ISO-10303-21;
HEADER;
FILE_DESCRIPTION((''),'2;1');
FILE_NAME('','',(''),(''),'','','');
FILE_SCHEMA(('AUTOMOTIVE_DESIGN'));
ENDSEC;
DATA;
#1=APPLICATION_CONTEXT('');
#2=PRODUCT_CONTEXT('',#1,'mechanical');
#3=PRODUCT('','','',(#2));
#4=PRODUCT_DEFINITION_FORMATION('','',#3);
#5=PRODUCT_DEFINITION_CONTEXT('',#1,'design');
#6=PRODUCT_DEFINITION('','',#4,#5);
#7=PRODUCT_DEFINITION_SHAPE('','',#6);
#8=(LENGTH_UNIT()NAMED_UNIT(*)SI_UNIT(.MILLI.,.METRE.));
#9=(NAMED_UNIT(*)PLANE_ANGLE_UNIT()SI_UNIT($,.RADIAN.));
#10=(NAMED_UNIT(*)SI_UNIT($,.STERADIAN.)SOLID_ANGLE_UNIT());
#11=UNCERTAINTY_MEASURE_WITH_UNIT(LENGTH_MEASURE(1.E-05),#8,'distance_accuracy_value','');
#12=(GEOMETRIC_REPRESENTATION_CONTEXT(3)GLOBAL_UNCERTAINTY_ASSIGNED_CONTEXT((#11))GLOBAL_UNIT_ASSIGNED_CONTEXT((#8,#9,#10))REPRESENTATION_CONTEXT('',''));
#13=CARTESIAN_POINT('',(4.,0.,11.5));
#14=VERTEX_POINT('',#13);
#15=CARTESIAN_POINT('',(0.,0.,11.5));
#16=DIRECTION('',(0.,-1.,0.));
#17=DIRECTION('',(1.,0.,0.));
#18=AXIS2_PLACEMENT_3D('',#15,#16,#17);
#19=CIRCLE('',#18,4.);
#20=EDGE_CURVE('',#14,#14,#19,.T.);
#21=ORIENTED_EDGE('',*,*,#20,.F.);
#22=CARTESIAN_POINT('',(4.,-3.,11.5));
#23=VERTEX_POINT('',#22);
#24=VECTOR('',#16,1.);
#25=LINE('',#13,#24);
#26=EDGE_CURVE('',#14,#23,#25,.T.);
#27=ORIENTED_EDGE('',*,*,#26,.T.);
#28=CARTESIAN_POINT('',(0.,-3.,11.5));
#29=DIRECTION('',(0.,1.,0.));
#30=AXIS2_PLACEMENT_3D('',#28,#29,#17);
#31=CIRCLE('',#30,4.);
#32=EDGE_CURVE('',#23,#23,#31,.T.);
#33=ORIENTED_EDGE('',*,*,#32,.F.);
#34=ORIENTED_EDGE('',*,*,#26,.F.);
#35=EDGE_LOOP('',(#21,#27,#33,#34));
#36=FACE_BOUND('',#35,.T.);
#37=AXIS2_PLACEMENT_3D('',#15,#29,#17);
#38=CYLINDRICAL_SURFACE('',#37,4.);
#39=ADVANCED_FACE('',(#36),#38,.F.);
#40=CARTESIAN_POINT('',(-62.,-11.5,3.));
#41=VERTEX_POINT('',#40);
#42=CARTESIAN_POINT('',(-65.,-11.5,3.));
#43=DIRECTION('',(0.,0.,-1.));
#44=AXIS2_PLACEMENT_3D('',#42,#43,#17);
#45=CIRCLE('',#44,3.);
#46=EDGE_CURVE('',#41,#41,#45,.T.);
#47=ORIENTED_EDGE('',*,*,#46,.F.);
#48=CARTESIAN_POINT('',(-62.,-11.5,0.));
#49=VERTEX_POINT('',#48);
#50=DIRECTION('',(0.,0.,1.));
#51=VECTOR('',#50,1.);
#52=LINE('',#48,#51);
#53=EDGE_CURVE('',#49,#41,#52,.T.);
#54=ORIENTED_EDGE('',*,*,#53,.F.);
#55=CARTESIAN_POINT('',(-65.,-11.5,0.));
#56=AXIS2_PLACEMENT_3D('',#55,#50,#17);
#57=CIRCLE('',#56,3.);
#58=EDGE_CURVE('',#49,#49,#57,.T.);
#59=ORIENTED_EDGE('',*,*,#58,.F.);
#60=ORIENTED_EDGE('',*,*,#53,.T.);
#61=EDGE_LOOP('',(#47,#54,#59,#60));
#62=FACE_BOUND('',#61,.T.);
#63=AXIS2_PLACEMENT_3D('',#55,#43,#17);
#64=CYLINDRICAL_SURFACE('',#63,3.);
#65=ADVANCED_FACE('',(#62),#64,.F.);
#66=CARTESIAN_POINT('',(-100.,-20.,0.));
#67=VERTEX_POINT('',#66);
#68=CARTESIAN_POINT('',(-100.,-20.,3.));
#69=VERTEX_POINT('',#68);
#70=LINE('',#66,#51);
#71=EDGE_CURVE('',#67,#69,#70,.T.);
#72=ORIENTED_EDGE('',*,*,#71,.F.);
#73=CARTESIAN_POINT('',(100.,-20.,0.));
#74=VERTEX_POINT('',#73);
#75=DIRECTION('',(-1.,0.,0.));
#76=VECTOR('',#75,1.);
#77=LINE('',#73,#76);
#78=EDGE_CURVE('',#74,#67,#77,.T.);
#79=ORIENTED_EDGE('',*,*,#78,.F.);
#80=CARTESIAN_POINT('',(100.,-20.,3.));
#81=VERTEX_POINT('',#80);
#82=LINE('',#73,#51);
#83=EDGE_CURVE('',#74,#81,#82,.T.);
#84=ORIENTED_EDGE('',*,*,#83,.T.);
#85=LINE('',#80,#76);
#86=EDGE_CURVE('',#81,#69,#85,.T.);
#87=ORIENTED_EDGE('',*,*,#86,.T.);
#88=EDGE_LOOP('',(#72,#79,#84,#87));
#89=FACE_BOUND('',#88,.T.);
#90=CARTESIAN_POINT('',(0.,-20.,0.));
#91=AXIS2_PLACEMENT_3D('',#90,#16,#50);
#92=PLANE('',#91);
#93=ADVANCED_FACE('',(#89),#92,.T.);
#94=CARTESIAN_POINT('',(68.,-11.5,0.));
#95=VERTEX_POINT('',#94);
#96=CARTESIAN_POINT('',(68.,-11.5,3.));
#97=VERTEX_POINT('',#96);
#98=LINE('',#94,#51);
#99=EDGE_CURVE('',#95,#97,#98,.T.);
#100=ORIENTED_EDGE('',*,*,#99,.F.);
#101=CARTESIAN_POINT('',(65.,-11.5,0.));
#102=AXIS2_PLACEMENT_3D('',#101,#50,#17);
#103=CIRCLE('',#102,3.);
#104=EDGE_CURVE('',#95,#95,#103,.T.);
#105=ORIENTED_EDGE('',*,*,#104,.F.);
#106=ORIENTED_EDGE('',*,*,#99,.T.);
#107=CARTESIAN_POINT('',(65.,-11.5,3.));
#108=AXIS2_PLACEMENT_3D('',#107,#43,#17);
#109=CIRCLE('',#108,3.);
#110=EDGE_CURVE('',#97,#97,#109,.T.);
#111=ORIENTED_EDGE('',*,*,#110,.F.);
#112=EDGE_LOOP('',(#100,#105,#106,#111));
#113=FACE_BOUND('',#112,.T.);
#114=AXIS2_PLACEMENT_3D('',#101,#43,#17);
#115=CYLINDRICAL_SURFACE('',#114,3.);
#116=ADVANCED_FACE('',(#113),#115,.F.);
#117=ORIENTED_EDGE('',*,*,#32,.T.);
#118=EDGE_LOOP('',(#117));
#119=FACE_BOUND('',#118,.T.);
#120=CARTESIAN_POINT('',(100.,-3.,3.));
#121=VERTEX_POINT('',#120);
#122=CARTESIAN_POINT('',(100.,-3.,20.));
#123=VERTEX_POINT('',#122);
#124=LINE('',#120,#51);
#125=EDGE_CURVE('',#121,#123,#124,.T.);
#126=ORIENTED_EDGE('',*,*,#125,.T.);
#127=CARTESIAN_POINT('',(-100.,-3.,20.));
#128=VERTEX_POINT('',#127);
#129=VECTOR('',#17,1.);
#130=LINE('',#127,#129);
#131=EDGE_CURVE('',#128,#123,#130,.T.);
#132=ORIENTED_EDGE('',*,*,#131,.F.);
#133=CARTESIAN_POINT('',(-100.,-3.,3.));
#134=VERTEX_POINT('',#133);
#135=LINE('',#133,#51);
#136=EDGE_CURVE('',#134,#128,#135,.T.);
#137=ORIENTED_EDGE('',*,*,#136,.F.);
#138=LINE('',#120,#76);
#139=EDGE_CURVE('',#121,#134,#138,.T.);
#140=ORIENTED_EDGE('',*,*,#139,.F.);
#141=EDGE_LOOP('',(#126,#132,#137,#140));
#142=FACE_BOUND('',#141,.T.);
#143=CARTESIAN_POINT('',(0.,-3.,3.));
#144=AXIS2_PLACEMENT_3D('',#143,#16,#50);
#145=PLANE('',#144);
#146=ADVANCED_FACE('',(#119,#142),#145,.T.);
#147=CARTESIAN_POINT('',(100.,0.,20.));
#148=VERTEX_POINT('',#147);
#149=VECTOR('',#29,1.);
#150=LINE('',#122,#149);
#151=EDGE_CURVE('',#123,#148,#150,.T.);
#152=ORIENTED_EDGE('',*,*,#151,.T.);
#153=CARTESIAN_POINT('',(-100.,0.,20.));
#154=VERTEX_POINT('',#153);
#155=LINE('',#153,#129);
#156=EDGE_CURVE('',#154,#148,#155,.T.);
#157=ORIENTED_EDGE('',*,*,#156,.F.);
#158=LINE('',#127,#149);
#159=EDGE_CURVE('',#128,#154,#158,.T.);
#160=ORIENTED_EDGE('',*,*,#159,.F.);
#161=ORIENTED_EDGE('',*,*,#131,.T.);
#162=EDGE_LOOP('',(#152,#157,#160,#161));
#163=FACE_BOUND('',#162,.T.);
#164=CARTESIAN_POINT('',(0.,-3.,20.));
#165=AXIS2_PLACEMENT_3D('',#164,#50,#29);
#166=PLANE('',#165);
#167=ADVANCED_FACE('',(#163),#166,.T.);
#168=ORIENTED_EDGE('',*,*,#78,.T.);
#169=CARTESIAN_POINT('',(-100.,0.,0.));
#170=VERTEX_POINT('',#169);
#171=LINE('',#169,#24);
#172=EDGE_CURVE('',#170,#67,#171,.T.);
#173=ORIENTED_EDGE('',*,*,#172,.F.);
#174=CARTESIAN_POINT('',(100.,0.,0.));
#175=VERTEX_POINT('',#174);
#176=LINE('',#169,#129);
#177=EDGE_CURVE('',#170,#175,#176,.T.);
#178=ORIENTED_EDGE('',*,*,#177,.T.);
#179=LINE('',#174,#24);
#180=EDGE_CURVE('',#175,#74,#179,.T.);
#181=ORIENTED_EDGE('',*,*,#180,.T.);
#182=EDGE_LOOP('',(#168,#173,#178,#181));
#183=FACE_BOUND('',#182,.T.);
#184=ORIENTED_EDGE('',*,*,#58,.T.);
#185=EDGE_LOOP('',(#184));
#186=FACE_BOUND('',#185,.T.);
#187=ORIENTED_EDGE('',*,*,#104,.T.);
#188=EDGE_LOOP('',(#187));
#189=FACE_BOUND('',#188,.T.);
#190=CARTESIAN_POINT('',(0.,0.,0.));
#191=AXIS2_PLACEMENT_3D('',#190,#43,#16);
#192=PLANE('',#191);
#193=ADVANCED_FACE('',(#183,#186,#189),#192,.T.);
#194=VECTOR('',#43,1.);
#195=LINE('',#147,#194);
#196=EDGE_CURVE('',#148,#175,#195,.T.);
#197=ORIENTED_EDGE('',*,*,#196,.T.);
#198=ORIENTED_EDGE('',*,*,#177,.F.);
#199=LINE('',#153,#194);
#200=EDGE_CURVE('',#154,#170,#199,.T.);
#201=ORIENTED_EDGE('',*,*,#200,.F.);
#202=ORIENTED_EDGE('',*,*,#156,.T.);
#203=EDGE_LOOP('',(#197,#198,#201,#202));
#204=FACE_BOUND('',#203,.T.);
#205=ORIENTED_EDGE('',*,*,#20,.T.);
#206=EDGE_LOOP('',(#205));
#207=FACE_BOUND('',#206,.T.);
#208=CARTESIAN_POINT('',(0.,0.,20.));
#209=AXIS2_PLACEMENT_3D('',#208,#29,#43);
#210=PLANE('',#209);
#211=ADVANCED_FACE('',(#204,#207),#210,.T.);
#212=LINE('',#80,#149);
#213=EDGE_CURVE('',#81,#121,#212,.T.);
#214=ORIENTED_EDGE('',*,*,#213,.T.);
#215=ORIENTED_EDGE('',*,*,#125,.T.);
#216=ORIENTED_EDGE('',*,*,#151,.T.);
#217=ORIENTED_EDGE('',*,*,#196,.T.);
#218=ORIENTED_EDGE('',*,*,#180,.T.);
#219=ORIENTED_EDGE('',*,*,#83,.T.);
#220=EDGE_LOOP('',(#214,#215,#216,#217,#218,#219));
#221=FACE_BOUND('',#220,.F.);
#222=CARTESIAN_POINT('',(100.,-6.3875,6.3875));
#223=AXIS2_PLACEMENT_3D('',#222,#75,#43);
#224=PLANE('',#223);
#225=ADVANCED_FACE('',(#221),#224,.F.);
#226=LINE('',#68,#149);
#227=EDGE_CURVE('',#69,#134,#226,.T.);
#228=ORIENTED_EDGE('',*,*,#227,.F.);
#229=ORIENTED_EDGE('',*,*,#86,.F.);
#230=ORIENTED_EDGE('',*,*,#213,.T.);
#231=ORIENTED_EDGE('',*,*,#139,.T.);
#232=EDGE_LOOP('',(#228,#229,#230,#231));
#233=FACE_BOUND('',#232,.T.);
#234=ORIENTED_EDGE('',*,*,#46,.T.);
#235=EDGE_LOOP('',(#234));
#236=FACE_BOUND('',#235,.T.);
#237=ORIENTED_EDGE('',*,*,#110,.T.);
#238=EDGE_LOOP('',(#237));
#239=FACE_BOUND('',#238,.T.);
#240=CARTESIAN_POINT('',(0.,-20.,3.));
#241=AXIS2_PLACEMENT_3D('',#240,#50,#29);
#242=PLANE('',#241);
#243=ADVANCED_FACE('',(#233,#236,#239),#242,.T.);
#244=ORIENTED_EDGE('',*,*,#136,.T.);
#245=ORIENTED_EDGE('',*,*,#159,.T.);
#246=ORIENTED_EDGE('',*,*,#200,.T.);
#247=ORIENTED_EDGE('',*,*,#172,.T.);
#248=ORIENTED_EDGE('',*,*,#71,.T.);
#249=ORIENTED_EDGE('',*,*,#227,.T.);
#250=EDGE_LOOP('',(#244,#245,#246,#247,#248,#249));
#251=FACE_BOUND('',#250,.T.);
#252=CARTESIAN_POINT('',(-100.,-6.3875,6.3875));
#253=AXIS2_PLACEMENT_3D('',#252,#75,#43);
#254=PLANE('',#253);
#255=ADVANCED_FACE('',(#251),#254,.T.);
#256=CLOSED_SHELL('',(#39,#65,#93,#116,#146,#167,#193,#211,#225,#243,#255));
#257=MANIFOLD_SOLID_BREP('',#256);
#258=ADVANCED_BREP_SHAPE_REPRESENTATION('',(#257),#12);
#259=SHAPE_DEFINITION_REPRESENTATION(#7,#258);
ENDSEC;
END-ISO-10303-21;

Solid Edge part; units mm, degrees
sketch "Sketch1" plane through (0, 0, 0) normal (1, 0, 0) x (0, 1, 0)
  line L0 (0, 0) -> (-20, 0)
  line L1 (-20, 0) -> (-20, 3)
  line L2 (-20, 3) -> (-3, 3)
  line L3 (-3, 3) -> (-3, 20)
  line L4 (-3, 20) -> (0, 20)
  line L5 (0, 20) -> (0, 0)
extrude "Protrusion1" add sketch "Sketch1" along normal mid plane 200
sketch "Sketch2" plane through (0, 0, 0) normal (0, 0, 1) x (1, 0, 0)
  circle A0 centre (-65, -11.5) radius 3
  circle A1 centre (65, -11.5) radius 3
  dimension "D1" = 6
  dimension "D2" = 11.5
  dimension "D3" = 130
  dimension "D4" = 4
  dimension "D5" = 8
  dimension "D6" = 6
extrude "Cutout1" cut sketch "Sketch2" along normal up to next
sketch "Sketch3" plane through (0, 0, 0) normal (0, -1, 0) x (1, 0, 0)
  circle A0 centre (0, 11.5) radius 4
extrude "Cutout2" cut sketch "Sketch3" along normal up to next
